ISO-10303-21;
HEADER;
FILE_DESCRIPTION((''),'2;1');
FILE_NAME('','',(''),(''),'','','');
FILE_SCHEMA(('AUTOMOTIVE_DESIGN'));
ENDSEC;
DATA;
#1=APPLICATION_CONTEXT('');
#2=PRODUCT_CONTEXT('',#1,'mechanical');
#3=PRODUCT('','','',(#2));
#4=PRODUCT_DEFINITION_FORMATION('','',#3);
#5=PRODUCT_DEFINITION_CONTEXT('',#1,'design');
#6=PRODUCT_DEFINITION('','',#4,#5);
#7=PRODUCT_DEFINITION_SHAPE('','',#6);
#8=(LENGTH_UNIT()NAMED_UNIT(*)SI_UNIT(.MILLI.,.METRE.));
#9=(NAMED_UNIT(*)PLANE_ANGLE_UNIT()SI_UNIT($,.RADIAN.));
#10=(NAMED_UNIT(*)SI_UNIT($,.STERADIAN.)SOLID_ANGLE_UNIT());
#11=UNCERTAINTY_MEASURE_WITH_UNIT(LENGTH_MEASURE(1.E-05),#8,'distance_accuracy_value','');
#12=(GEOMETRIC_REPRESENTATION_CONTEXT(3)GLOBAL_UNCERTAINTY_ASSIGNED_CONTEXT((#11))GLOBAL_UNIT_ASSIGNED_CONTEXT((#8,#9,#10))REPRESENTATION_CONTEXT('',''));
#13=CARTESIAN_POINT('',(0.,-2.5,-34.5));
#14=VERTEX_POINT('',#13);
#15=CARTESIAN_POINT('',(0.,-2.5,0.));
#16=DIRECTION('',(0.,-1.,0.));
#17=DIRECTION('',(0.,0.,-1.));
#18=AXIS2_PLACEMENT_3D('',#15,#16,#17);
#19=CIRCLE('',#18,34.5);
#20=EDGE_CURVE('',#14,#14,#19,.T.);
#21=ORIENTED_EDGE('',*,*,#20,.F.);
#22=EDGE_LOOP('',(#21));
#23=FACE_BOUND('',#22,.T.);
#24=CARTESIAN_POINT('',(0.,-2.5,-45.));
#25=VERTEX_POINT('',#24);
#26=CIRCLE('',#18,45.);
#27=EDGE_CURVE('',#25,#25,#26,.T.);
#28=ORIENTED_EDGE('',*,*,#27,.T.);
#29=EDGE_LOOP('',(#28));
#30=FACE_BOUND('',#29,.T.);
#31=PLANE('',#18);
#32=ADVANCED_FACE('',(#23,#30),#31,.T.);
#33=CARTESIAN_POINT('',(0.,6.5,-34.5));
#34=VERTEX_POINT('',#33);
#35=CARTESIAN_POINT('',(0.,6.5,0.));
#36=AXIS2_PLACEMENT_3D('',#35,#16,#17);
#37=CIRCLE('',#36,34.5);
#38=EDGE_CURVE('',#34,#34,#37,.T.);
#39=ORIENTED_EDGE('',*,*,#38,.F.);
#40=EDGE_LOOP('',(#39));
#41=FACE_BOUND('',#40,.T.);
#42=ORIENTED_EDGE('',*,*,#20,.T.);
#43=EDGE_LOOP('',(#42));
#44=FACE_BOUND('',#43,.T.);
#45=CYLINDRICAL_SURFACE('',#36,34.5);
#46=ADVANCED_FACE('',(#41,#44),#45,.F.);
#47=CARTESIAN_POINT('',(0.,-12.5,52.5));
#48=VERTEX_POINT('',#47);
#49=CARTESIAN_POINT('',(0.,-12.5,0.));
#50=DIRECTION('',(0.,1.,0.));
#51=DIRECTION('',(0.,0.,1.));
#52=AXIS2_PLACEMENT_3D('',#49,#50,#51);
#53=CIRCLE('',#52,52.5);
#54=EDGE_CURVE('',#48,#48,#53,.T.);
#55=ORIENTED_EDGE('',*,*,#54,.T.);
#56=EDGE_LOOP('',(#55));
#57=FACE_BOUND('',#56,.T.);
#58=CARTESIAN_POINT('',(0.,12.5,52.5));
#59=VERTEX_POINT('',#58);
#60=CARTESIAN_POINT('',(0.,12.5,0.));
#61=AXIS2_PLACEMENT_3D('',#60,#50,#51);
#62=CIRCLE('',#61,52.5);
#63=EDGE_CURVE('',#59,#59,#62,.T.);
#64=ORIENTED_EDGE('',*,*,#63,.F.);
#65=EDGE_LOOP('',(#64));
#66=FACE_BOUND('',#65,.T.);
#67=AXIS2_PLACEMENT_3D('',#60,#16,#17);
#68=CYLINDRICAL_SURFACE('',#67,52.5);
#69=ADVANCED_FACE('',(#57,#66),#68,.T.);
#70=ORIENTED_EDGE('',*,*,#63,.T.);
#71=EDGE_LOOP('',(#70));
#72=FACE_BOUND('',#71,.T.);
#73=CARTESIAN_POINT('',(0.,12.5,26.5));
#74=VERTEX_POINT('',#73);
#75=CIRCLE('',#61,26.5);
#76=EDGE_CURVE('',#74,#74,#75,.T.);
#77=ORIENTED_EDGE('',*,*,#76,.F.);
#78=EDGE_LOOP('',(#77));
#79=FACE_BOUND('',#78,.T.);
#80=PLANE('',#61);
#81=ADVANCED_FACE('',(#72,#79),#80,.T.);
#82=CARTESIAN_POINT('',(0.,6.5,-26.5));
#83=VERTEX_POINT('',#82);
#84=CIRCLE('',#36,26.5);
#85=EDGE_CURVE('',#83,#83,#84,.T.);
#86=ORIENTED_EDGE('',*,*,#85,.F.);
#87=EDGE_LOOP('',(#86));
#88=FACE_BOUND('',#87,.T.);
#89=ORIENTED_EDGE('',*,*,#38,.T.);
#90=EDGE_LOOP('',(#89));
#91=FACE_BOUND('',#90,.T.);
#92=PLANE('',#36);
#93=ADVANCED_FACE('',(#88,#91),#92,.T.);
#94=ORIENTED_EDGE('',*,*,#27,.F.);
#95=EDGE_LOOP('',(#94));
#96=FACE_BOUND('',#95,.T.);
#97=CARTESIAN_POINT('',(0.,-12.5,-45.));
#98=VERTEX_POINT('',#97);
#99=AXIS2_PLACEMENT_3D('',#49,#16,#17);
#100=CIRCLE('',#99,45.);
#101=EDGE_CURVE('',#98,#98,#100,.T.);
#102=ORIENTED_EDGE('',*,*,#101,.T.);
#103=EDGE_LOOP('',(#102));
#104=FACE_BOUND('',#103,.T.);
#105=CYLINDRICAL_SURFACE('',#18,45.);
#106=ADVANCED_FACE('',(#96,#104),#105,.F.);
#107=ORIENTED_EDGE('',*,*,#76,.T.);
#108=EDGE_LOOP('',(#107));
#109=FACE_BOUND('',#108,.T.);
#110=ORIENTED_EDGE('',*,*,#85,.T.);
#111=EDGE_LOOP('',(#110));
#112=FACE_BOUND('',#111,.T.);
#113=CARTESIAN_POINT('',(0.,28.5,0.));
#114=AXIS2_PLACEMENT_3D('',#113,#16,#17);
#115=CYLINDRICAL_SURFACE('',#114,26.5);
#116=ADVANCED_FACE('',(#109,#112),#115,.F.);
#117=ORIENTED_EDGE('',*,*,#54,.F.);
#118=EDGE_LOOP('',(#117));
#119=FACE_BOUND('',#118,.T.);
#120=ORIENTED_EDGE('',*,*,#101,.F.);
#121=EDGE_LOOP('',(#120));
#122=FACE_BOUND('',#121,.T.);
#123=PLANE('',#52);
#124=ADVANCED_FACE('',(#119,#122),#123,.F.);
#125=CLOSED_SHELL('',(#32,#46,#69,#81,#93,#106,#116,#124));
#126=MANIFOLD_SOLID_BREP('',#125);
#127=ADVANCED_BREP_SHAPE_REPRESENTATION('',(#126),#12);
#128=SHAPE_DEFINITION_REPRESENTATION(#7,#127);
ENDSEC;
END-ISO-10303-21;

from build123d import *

# Parameters (mm, degrees)
SKETCH1_R           = 52.5
BOSS_EXTRUDE1_DEPTH = 12.5
SKETCH3_R           = 45
CUT_EXTRUDE1_DEPTH  = 10
SKETCH4_R           = 34.5
CUT_EXTRUDE2_DEPTH  = 9
SKETCH5_R           = 26.5
CUT_EXTRUDE3_DEPTH  = 22


with BuildPart() as part:
    # Sketch1 → Boss-Extrude1 (new, symmetric)
    with BuildSketch(Plane(origin=(0, 0, 0), x_dir=(-1, 0, 0), z_dir=(0, 1, 0))):
        with Locations(Location((0, 0, 0), (0, 0, 90))):
            Circle(SKETCH1_R)
    extrude(amount=BOSS_EXTRUDE1_DEPTH, both=True)

    # Sketch3 → Cut-Extrude1 (cut)
    with BuildSketch(Plane.XZ.offset(12.5)):
        with Locations(Location((0, 0, 0), (0, 0, 270))):
            Circle(SKETCH3_R)
    extrude(amount=-CUT_EXTRUDE1_DEPTH, mode=Mode.SUBTRACT)

    # Sketch4 → Cut-Extrude2 (cut)
    with BuildSketch(Plane.XZ.offset(2.5)):
        with Locations(Location((0, 0, 0), (0, 0, 270))):
            Circle(SKETCH4_R)
    extrude(amount=-CUT_EXTRUDE2_DEPTH, mode=Mode.SUBTRACT)

    # Sketch5 → Cut-Extrude3 (cut)
    with BuildSketch(Plane.XZ.offset(-6.5)):
        with Locations(Location((0, 0, 0), (0, 0, 270))):
            Circle(SKETCH5_R)
    extrude(amount=-CUT_EXTRUDE3_DEPTH, mode=Mode.SUBTRACT)


solid = part.part
